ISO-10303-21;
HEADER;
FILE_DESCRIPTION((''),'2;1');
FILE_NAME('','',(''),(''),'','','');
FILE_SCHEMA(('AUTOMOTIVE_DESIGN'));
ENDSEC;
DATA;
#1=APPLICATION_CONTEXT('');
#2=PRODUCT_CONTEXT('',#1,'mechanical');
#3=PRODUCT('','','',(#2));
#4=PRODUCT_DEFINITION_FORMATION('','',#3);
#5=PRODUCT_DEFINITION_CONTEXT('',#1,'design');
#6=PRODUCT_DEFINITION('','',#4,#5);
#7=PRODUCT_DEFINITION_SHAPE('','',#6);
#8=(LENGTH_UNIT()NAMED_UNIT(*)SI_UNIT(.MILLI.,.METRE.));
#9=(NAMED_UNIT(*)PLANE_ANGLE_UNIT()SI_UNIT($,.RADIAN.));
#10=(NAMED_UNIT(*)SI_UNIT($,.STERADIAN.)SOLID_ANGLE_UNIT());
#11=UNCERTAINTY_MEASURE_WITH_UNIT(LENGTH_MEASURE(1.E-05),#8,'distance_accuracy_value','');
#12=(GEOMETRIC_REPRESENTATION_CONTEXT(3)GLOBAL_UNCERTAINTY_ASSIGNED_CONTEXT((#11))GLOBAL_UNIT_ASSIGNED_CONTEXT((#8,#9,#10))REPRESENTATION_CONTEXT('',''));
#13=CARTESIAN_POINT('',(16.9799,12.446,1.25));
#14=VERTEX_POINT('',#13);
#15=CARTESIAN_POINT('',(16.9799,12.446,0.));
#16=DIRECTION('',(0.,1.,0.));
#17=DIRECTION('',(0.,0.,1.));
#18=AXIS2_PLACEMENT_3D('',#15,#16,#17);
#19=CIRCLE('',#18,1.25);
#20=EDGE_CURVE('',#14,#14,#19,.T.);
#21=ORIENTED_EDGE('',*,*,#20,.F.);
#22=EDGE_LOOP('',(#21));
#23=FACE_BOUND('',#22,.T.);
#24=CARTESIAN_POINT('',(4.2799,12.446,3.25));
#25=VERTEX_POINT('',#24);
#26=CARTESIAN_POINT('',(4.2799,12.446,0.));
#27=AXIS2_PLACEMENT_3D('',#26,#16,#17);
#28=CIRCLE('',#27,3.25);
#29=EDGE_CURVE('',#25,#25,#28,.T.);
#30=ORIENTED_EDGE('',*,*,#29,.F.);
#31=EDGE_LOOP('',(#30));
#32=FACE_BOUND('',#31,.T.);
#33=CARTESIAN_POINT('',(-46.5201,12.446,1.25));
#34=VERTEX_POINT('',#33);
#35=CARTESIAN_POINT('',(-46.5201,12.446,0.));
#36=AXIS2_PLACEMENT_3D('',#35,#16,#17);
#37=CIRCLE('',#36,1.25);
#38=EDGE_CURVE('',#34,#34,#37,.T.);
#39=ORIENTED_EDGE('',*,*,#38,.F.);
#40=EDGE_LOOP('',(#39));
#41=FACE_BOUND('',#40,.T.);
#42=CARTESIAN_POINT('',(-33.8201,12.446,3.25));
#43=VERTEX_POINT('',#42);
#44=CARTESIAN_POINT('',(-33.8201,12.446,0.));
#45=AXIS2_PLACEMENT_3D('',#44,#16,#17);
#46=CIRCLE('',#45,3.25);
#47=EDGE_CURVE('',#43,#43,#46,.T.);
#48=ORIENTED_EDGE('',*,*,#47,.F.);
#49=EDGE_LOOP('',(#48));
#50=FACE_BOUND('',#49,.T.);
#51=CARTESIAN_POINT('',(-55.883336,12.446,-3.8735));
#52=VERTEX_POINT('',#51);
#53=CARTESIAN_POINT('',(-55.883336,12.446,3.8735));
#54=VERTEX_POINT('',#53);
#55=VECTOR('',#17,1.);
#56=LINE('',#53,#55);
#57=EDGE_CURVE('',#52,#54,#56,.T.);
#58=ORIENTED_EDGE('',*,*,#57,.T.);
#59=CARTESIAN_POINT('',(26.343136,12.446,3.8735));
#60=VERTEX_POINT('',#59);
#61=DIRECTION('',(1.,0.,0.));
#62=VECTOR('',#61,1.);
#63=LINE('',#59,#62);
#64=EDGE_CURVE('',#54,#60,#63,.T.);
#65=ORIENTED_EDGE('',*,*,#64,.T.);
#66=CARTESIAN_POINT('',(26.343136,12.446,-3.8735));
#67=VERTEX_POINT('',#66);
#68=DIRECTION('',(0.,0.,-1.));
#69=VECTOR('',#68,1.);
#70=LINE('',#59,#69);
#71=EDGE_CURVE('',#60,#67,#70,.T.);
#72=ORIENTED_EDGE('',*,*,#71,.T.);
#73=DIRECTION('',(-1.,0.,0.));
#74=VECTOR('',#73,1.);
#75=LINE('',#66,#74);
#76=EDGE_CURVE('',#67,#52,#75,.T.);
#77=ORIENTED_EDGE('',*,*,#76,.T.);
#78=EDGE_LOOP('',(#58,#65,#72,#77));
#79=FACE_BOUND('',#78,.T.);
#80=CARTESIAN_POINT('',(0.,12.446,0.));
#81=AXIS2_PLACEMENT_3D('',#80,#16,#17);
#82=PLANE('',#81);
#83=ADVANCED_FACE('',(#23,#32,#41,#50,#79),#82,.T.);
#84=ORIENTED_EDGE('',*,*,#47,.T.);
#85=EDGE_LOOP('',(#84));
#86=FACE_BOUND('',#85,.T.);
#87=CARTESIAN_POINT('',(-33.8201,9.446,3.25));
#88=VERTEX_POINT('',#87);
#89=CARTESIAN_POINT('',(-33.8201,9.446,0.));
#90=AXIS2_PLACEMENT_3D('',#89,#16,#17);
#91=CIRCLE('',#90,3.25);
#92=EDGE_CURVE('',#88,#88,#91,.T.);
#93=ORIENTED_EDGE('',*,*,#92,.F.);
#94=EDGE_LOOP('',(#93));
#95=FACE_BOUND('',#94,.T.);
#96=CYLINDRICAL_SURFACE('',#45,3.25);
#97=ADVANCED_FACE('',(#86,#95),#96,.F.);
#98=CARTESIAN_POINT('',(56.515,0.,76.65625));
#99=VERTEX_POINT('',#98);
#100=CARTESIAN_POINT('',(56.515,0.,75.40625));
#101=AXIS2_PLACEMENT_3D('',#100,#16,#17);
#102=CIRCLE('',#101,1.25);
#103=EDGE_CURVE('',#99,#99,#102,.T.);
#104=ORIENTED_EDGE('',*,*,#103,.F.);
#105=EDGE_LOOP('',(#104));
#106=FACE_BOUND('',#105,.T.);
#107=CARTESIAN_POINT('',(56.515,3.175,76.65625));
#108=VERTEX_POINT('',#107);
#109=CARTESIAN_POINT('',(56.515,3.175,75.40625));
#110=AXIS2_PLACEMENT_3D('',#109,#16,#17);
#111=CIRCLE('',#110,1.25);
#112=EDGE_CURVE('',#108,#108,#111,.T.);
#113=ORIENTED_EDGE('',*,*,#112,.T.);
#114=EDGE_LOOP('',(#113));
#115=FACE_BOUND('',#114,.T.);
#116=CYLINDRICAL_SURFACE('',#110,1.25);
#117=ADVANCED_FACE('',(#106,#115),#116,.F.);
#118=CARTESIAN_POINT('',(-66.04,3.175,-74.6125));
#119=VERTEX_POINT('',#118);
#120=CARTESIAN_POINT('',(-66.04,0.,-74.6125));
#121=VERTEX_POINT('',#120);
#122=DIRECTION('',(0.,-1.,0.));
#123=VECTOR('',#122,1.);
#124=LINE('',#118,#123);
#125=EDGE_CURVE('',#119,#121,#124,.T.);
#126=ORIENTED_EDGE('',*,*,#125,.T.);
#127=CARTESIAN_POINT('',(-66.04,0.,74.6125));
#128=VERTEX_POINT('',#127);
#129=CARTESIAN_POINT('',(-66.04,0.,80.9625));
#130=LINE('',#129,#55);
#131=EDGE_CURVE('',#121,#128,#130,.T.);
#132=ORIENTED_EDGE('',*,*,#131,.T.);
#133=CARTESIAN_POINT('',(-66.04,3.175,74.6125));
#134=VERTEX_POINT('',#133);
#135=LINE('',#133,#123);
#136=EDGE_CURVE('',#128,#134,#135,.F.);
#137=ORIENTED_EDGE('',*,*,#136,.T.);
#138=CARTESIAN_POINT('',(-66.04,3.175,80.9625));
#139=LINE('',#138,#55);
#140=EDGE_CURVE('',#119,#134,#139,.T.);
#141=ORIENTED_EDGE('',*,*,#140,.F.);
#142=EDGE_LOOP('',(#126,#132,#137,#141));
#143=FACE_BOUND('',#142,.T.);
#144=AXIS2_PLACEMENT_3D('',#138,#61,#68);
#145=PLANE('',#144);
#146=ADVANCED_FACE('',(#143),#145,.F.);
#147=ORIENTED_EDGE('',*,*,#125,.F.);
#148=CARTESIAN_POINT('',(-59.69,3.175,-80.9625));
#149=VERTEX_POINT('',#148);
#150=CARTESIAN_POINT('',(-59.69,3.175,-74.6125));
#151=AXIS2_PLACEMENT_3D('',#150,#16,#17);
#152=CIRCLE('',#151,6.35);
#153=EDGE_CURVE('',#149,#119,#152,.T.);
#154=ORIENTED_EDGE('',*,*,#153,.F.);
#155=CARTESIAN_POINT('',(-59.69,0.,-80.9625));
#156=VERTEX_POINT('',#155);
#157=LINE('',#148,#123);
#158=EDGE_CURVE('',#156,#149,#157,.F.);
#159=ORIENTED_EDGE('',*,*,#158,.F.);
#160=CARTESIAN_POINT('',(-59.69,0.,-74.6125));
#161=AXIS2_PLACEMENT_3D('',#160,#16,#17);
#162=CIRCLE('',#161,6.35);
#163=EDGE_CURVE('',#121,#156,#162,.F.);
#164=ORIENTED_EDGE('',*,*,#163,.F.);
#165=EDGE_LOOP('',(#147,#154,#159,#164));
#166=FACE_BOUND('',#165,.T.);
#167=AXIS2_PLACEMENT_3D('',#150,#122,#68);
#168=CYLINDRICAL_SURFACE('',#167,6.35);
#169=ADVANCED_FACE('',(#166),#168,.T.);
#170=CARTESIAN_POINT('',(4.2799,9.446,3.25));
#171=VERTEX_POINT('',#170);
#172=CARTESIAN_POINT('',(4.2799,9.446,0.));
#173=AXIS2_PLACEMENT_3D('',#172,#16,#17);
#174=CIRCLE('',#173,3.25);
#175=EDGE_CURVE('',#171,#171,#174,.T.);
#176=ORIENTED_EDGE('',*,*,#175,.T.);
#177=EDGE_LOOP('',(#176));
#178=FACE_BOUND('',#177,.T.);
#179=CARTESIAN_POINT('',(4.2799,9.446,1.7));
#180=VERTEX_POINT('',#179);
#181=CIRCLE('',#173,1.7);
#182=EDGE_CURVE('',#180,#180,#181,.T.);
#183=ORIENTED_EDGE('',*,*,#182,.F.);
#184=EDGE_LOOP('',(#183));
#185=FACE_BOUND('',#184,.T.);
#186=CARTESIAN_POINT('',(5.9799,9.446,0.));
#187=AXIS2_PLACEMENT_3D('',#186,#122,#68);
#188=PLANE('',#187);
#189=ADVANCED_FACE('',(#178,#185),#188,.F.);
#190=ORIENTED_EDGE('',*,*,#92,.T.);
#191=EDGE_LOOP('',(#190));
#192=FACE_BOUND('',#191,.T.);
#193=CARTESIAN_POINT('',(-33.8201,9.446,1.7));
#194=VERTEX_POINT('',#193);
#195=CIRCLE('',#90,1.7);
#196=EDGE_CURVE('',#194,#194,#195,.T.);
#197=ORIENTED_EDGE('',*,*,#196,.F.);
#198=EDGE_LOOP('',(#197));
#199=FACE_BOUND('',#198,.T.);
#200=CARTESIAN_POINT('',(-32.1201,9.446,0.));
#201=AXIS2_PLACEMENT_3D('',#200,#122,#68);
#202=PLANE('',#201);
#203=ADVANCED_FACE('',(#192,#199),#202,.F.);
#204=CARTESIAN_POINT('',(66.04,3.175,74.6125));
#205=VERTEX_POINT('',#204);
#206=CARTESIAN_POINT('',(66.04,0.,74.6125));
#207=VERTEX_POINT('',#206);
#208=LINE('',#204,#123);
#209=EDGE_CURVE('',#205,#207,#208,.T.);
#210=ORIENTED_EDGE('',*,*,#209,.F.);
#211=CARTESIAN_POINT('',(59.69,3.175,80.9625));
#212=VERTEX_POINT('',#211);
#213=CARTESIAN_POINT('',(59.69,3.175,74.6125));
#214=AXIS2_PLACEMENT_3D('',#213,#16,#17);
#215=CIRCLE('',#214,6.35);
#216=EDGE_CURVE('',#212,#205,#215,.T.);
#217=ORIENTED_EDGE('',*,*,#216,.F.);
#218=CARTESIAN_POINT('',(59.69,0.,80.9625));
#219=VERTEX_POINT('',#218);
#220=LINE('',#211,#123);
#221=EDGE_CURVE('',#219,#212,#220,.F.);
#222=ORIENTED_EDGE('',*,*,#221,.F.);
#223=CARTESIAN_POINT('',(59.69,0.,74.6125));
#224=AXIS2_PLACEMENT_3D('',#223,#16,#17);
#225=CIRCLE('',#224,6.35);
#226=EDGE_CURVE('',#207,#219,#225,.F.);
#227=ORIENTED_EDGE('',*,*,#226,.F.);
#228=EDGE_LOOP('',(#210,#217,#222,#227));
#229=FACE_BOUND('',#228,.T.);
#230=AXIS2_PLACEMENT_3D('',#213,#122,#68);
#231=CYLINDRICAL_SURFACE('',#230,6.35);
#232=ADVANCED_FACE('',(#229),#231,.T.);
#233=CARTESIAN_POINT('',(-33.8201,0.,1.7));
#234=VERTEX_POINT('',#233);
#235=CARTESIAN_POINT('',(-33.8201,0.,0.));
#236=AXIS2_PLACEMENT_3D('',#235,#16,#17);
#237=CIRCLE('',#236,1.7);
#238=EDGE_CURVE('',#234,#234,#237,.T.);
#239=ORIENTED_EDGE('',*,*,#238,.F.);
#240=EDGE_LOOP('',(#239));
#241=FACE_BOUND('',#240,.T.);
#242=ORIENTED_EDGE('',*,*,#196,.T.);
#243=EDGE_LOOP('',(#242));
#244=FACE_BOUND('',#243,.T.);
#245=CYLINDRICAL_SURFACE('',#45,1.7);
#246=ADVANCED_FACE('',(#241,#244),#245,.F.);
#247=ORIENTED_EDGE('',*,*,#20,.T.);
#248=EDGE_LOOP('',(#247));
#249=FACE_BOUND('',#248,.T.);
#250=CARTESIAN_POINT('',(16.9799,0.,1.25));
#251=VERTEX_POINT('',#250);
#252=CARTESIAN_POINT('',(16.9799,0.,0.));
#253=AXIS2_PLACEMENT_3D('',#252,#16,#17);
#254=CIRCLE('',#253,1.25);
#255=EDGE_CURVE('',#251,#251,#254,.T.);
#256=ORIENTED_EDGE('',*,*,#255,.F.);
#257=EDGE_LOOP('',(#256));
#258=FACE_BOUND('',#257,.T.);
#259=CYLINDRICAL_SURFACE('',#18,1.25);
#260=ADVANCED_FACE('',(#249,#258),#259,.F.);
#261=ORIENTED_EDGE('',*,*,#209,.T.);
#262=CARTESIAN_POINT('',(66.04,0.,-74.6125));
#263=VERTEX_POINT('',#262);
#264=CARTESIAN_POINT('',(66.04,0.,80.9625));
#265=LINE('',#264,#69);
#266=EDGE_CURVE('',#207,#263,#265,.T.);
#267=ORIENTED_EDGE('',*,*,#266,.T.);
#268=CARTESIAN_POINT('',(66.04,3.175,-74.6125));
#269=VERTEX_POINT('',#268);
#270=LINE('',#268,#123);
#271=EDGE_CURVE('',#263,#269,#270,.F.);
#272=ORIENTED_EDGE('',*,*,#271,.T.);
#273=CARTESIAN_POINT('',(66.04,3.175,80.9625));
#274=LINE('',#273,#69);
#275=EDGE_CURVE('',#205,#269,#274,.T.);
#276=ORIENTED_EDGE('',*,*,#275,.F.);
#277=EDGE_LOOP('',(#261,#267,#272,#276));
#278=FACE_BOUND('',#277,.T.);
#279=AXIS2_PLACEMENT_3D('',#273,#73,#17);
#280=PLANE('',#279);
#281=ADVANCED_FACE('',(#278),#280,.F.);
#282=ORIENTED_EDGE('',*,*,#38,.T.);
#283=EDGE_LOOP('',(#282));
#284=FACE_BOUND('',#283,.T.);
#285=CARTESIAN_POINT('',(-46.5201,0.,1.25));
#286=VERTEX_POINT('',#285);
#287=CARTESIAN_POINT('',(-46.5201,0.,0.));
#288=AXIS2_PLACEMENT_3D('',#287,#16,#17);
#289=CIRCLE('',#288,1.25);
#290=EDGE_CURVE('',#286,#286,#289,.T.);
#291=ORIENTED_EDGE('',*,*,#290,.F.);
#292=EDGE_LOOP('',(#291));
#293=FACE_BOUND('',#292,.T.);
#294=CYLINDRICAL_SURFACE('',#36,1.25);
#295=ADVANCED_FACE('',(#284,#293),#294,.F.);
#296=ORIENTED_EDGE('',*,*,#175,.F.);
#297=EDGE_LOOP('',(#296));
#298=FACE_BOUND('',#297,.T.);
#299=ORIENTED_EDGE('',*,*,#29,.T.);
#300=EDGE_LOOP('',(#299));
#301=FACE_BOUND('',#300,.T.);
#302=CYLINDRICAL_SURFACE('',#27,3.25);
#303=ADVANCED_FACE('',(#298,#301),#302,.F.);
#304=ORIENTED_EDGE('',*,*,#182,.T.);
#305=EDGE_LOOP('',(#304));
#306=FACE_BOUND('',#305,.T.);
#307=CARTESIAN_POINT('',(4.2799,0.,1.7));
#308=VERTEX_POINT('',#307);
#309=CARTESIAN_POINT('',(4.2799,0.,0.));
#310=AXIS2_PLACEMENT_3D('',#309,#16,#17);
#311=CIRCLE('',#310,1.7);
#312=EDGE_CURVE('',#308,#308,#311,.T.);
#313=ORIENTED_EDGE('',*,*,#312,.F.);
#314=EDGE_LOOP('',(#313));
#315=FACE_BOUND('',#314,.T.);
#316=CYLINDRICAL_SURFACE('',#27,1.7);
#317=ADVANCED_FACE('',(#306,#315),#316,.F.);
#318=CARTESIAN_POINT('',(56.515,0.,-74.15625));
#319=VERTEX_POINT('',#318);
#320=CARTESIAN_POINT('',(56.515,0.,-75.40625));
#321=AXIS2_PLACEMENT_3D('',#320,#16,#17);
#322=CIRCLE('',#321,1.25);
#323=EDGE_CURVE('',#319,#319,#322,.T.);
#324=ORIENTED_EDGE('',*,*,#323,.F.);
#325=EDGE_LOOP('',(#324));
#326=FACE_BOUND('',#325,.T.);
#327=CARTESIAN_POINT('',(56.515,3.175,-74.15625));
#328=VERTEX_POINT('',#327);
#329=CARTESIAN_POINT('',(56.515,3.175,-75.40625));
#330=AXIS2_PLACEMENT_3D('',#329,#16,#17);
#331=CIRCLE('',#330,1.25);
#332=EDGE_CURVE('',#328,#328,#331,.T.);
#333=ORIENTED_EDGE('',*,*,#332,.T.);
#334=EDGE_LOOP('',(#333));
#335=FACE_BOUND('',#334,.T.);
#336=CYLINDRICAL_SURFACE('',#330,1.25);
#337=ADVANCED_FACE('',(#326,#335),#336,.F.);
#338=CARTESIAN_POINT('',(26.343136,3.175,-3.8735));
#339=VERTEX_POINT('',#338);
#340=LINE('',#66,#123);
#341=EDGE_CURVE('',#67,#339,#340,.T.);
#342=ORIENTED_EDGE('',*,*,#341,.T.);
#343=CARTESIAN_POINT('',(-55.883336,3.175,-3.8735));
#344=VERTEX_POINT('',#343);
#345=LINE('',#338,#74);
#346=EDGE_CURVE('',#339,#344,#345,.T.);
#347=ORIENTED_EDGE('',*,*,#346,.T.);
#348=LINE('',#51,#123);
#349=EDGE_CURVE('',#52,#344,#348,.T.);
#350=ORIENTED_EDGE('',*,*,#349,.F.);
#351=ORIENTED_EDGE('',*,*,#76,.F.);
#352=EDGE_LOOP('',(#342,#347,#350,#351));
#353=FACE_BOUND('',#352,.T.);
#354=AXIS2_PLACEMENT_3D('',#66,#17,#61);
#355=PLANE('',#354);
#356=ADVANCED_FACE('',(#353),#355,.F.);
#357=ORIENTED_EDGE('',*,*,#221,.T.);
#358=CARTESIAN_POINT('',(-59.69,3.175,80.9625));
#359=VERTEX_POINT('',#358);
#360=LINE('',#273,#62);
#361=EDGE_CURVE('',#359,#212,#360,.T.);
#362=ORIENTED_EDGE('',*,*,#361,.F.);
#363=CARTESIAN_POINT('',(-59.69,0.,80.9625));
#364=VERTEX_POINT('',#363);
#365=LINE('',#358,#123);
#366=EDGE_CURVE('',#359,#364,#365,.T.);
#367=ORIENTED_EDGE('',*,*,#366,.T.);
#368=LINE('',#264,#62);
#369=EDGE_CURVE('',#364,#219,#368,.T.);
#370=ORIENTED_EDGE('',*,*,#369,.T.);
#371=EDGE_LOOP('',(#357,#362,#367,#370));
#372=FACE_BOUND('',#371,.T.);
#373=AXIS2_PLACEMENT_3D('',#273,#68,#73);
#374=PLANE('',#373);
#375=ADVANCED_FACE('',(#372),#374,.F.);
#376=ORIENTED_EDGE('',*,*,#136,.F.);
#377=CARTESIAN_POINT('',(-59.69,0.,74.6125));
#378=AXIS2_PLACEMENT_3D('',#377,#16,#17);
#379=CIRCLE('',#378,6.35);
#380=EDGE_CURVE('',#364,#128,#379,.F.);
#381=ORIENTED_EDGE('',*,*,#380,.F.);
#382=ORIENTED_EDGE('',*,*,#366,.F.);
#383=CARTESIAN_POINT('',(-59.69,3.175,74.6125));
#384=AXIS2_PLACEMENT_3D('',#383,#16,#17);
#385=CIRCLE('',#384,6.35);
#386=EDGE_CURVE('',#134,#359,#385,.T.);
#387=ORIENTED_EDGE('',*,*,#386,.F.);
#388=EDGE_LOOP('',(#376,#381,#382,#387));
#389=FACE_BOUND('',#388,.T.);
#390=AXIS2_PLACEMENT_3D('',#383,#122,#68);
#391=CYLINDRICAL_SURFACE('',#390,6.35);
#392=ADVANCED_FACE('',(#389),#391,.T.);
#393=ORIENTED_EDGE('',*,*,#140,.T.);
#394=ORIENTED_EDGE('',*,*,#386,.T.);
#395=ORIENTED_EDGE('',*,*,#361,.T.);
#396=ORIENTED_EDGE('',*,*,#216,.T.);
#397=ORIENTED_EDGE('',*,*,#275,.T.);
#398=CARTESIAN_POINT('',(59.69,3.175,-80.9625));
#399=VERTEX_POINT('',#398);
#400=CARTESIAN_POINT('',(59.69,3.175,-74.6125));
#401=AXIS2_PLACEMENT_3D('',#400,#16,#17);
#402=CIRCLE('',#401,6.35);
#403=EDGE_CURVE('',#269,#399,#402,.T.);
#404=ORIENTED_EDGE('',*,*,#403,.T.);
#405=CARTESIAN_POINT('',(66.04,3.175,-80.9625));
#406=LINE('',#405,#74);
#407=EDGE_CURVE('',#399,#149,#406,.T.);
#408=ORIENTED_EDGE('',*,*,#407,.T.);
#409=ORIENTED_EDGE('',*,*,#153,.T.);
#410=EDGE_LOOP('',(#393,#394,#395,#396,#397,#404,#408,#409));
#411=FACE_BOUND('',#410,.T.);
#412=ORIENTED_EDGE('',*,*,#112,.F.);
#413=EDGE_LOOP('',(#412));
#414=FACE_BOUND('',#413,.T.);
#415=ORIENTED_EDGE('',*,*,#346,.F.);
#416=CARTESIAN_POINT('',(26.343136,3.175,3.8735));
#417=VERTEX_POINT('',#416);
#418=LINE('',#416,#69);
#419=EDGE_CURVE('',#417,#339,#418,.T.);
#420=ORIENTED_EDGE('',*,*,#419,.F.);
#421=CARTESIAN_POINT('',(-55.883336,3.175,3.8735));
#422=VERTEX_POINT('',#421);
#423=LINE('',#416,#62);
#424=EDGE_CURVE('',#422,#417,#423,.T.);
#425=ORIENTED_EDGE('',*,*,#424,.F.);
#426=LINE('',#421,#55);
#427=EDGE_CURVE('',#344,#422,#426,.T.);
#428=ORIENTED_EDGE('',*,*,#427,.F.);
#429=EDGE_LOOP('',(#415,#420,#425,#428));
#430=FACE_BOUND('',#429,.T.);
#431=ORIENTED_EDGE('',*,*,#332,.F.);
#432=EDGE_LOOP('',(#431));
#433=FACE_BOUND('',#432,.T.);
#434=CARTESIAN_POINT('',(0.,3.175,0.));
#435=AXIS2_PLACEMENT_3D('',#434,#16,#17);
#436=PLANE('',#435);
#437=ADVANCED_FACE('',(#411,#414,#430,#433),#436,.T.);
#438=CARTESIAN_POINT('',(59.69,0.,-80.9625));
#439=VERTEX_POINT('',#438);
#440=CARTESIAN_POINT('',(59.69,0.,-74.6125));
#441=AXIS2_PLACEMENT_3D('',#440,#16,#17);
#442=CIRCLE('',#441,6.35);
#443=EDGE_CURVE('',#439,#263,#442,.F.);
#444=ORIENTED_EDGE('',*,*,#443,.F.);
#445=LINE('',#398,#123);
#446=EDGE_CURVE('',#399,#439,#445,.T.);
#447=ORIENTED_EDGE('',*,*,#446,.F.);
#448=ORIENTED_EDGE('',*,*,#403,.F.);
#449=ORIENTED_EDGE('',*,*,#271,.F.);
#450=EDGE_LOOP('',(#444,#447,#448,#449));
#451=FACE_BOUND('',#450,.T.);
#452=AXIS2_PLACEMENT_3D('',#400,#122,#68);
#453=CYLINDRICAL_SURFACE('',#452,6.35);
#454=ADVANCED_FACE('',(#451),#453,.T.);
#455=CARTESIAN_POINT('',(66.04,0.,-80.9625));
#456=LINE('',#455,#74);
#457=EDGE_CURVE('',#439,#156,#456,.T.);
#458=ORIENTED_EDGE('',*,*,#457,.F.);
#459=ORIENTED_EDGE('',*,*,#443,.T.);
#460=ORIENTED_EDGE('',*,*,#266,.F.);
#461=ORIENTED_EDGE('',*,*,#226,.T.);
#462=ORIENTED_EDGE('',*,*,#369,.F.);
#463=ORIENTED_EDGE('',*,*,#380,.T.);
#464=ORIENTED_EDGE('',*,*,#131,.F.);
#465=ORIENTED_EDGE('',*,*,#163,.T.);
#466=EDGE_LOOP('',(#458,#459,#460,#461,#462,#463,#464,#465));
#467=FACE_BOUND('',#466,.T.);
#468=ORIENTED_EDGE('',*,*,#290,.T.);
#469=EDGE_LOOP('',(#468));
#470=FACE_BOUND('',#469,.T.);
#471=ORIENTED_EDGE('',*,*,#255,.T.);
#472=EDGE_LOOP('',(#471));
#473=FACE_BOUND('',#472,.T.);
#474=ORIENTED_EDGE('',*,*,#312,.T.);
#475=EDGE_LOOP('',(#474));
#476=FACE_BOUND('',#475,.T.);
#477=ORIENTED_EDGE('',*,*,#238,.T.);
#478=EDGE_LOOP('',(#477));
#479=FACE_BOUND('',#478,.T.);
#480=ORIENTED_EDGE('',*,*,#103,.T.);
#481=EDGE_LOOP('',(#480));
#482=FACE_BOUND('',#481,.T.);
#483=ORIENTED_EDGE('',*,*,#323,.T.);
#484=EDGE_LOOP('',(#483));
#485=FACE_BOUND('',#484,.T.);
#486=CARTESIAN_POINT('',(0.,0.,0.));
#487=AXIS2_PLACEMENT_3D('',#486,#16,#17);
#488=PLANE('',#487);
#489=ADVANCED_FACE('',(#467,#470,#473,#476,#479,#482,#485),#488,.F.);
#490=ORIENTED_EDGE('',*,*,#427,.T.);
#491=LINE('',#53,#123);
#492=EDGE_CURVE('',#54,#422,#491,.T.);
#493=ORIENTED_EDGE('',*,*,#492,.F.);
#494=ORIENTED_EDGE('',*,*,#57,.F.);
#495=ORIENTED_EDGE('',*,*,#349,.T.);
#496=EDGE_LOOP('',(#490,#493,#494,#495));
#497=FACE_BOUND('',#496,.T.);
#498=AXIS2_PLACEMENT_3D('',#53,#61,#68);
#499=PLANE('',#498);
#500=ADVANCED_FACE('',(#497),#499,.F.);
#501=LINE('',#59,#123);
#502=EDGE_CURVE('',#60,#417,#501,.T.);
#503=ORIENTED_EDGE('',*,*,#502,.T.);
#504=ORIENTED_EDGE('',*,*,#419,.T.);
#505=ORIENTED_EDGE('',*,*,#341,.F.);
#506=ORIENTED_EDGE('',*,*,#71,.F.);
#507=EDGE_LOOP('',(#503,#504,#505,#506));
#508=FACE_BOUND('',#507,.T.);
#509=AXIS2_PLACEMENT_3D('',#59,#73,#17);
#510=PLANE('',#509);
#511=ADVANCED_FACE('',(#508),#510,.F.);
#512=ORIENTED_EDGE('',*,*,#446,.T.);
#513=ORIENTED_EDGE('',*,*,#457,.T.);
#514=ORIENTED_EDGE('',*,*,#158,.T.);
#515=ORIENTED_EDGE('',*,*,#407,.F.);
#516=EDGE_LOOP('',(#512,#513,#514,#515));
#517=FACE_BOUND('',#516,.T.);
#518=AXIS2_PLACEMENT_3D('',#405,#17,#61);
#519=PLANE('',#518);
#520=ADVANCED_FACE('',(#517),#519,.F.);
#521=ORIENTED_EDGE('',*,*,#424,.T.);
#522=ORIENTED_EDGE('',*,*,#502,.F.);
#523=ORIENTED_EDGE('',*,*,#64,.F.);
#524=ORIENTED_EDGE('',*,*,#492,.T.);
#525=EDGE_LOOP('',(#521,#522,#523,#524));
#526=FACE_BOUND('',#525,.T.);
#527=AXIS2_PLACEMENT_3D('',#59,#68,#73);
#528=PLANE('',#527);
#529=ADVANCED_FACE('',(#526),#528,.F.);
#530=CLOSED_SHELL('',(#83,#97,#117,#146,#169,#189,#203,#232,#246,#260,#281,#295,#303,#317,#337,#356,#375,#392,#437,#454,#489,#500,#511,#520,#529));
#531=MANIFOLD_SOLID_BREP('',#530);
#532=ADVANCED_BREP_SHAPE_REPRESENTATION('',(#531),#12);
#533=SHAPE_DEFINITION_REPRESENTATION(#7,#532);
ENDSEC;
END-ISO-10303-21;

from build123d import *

# Parameters (mm, degrees)
SKETCH1_W                      = 132.08
SKETCH1_H                      = 161.925
BOSS_EXTRUDE1_DEPTH            = 3.175
FILLET1_R                      = 6.35
TAP_DRILL_FOR_M3X0_5_TAP1_D    = 2.5
SKETCH5_W                      = 82.226471496
SKETCH5_H                      = 7.747
BOSS_EXTRUDE2_DEPTH            = 9.271
TAP_DRILL_FOR_M3X0_5_TAP2_D    = 2.5
CBORE_FOR_M3_SHCS1_D           = 3.4
CBORE_FOR_M3_SHCS1_CBORE_D     = 6.5
CBORE_FOR_M3_SHCS1_CBORE_DEPTH = 3


with BuildPart() as part:
    # Sketch1 → Boss-Extrude1 (new body)
    with BuildSketch(Plane(origin=(0, 0, 0), x_dir=(1, 0, 0), z_dir=(0, 1, 0))):
        Rectangle(SKETCH1_W, SKETCH1_H)
    extrude(amount=BOSS_EXTRUDE1_DEPTH)

    # Fillet1
    fillet1_edges = [part.edges().sort_by_distance(p)[0] for p in [
        (-66.04, 1.5875, -80.9625),
        (66.04, 1.5875, -80.9625),
        (66.04, 1.5875, 80.9625),
        (-66.04, 1.5875, 80.9625),
    ]]
    fillet(fillet1_edges, radius=FILLET1_R)

    # Tap Drill for M3x0.5 Tap1 (through all)
    with Locations(Plane(origin=(0, 3.175, 0), x_dir=(1, 0, 0), z_dir=(0, 1, 0))):
        with Locations((56.515, -75.40625), (56.515, 75.40625)):
            Hole(TAP_DRILL_FOR_M3X0_5_TAP1_D / 2)

    # Sketch5 → Boss-Extrude2 (add)
    with BuildSketch(Plane(origin=(0, 3.175, 0), x_dir=(1, 0, 0), z_dir=(0, 1, 0))):
        with Locations((-14.7701, 0)):
            Rectangle(SKETCH5_W, SKETCH5_H)
    extrude(amount=BOSS_EXTRUDE2_DEPTH)

    # Tap Drill for M3x0.5 Tap2 (through all)
    with Locations(Plane(origin=(0, 12.446, 0), x_dir=(1, 0, 0), z_dir=(0, 1, 0))):
        with Locations((-46.5201, 0), (16.9799, 0)):
            Hole(TAP_DRILL_FOR_M3X0_5_TAP2_D / 2)

    # CBORE for M3 SHCS1 (through all)
    with Locations(Plane(origin=(0, 12.446, 0), x_dir=(1, 0, 0), z_dir=(0, 1, 0))):
        with Locations((4.2799, 0), (-33.8201, 0)):
            CounterBoreHole(CBORE_FOR_M3_SHCS1_D / 2, CBORE_FOR_M3_SHCS1_CBORE_D / 2, CBORE_FOR_M3_SHCS1_CBORE_DEPTH)


solid = part.part
